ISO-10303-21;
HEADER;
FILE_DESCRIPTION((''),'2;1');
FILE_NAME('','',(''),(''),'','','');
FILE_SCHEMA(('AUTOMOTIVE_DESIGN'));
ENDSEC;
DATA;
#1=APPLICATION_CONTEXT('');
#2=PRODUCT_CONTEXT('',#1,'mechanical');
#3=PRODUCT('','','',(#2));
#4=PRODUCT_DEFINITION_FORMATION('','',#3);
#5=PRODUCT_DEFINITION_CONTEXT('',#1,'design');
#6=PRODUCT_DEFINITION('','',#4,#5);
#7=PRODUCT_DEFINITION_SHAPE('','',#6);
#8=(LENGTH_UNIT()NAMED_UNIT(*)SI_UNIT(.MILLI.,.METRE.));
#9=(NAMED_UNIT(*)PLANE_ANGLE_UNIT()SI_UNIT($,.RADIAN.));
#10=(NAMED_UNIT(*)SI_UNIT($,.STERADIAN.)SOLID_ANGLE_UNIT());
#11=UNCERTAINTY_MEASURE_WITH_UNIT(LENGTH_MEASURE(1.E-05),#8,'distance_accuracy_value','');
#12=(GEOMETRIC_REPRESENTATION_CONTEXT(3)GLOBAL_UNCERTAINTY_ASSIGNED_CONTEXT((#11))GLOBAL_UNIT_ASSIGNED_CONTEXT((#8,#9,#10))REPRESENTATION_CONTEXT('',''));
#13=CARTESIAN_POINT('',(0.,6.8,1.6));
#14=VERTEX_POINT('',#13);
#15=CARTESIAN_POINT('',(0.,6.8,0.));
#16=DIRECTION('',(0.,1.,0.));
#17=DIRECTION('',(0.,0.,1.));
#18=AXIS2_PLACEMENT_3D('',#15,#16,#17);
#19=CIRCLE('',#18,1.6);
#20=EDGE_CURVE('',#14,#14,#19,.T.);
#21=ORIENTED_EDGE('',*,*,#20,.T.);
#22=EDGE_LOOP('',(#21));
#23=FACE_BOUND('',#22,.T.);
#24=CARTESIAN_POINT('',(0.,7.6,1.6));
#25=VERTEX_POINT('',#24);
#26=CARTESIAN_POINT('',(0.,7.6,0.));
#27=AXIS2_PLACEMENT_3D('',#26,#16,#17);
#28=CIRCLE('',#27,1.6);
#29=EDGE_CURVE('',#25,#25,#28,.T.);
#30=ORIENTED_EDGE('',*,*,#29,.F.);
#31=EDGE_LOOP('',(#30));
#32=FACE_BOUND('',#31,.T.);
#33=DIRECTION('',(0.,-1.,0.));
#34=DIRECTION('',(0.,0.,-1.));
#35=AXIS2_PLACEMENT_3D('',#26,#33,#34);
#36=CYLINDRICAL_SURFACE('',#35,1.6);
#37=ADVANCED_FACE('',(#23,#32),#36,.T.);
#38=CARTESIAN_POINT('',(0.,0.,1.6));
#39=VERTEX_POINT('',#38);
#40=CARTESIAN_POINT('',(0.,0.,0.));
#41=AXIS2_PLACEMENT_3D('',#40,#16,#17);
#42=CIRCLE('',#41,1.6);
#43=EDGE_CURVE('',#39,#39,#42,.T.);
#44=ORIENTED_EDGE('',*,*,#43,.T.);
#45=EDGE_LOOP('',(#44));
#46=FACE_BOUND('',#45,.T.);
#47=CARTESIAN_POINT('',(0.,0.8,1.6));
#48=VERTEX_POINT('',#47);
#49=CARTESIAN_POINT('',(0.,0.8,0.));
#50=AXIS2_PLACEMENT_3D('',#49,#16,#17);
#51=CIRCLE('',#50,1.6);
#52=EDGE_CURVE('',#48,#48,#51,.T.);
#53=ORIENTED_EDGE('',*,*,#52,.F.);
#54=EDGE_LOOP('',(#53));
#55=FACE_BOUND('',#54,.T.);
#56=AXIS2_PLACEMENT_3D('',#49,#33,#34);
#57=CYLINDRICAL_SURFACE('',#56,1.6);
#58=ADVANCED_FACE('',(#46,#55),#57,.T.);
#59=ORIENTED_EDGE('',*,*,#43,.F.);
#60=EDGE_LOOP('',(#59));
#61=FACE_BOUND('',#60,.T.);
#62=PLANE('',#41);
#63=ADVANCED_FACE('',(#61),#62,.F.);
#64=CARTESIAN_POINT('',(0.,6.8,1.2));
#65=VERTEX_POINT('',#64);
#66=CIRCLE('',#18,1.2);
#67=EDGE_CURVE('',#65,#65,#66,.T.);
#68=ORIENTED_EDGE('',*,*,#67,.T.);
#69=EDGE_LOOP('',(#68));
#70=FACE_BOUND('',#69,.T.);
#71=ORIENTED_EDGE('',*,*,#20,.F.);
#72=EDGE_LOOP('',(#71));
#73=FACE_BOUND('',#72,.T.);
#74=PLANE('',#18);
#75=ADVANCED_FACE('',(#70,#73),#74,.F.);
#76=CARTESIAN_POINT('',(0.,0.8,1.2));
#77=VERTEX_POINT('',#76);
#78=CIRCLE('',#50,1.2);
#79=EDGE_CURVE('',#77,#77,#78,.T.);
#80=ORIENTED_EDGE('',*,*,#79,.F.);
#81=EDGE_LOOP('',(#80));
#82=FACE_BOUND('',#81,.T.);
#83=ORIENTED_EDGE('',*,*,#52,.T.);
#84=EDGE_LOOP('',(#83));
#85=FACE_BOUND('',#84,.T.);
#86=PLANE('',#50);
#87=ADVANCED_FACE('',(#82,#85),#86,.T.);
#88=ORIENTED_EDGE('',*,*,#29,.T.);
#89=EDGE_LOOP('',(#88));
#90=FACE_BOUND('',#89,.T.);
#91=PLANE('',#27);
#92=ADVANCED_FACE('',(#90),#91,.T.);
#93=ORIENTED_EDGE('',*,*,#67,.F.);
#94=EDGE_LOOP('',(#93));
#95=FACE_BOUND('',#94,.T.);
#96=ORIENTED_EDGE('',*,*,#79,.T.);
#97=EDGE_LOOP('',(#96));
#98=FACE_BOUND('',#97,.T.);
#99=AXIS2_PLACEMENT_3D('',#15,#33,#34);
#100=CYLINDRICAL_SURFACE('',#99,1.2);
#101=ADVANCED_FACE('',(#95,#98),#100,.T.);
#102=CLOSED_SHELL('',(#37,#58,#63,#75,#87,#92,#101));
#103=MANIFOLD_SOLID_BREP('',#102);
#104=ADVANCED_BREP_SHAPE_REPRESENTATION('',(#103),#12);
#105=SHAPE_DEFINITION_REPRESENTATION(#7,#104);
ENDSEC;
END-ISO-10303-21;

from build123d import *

# Parameters (mm, degrees)
SKETCH1_R           = 1.6
BOSS_EXTRUDE1_DEPTH = 0.8
SKETCH2_R           = 1.2
BOSS_EXTRUDE2_DEPTH = 6
SKETCH3_R           = 1.6
BOSS_EXTRUDE3_DEPTH = 0.8


with BuildPart() as part:
    # Sketch1 → Boss-Extrude1 (new body)
    with BuildSketch(Plane(origin=(0, 0, 0), x_dir=(1, 0, 0), z_dir=(0, 1, 0))):
        Circle(SKETCH1_R)
    extrude(amount=BOSS_EXTRUDE1_DEPTH)

    # Sketch2 → Boss-Extrude2 (add)
    with BuildSketch(Plane(origin=(0, 0.8, 0), x_dir=(1, 0, 0), z_dir=(0, 1, 0))):
        Circle(SKETCH2_R)
    extrude(amount=BOSS_EXTRUDE2_DEPTH)

    # Sketch3 → Boss-Extrude3 (add)
    with BuildSketch(Plane(origin=(0, 6.8, 0), x_dir=(1, 0, 0), z_dir=(0, 1, 0))):
        Circle(SKETCH3_R)
    extrude(amount=BOSS_EXTRUDE3_DEPTH)


solid = part.part
